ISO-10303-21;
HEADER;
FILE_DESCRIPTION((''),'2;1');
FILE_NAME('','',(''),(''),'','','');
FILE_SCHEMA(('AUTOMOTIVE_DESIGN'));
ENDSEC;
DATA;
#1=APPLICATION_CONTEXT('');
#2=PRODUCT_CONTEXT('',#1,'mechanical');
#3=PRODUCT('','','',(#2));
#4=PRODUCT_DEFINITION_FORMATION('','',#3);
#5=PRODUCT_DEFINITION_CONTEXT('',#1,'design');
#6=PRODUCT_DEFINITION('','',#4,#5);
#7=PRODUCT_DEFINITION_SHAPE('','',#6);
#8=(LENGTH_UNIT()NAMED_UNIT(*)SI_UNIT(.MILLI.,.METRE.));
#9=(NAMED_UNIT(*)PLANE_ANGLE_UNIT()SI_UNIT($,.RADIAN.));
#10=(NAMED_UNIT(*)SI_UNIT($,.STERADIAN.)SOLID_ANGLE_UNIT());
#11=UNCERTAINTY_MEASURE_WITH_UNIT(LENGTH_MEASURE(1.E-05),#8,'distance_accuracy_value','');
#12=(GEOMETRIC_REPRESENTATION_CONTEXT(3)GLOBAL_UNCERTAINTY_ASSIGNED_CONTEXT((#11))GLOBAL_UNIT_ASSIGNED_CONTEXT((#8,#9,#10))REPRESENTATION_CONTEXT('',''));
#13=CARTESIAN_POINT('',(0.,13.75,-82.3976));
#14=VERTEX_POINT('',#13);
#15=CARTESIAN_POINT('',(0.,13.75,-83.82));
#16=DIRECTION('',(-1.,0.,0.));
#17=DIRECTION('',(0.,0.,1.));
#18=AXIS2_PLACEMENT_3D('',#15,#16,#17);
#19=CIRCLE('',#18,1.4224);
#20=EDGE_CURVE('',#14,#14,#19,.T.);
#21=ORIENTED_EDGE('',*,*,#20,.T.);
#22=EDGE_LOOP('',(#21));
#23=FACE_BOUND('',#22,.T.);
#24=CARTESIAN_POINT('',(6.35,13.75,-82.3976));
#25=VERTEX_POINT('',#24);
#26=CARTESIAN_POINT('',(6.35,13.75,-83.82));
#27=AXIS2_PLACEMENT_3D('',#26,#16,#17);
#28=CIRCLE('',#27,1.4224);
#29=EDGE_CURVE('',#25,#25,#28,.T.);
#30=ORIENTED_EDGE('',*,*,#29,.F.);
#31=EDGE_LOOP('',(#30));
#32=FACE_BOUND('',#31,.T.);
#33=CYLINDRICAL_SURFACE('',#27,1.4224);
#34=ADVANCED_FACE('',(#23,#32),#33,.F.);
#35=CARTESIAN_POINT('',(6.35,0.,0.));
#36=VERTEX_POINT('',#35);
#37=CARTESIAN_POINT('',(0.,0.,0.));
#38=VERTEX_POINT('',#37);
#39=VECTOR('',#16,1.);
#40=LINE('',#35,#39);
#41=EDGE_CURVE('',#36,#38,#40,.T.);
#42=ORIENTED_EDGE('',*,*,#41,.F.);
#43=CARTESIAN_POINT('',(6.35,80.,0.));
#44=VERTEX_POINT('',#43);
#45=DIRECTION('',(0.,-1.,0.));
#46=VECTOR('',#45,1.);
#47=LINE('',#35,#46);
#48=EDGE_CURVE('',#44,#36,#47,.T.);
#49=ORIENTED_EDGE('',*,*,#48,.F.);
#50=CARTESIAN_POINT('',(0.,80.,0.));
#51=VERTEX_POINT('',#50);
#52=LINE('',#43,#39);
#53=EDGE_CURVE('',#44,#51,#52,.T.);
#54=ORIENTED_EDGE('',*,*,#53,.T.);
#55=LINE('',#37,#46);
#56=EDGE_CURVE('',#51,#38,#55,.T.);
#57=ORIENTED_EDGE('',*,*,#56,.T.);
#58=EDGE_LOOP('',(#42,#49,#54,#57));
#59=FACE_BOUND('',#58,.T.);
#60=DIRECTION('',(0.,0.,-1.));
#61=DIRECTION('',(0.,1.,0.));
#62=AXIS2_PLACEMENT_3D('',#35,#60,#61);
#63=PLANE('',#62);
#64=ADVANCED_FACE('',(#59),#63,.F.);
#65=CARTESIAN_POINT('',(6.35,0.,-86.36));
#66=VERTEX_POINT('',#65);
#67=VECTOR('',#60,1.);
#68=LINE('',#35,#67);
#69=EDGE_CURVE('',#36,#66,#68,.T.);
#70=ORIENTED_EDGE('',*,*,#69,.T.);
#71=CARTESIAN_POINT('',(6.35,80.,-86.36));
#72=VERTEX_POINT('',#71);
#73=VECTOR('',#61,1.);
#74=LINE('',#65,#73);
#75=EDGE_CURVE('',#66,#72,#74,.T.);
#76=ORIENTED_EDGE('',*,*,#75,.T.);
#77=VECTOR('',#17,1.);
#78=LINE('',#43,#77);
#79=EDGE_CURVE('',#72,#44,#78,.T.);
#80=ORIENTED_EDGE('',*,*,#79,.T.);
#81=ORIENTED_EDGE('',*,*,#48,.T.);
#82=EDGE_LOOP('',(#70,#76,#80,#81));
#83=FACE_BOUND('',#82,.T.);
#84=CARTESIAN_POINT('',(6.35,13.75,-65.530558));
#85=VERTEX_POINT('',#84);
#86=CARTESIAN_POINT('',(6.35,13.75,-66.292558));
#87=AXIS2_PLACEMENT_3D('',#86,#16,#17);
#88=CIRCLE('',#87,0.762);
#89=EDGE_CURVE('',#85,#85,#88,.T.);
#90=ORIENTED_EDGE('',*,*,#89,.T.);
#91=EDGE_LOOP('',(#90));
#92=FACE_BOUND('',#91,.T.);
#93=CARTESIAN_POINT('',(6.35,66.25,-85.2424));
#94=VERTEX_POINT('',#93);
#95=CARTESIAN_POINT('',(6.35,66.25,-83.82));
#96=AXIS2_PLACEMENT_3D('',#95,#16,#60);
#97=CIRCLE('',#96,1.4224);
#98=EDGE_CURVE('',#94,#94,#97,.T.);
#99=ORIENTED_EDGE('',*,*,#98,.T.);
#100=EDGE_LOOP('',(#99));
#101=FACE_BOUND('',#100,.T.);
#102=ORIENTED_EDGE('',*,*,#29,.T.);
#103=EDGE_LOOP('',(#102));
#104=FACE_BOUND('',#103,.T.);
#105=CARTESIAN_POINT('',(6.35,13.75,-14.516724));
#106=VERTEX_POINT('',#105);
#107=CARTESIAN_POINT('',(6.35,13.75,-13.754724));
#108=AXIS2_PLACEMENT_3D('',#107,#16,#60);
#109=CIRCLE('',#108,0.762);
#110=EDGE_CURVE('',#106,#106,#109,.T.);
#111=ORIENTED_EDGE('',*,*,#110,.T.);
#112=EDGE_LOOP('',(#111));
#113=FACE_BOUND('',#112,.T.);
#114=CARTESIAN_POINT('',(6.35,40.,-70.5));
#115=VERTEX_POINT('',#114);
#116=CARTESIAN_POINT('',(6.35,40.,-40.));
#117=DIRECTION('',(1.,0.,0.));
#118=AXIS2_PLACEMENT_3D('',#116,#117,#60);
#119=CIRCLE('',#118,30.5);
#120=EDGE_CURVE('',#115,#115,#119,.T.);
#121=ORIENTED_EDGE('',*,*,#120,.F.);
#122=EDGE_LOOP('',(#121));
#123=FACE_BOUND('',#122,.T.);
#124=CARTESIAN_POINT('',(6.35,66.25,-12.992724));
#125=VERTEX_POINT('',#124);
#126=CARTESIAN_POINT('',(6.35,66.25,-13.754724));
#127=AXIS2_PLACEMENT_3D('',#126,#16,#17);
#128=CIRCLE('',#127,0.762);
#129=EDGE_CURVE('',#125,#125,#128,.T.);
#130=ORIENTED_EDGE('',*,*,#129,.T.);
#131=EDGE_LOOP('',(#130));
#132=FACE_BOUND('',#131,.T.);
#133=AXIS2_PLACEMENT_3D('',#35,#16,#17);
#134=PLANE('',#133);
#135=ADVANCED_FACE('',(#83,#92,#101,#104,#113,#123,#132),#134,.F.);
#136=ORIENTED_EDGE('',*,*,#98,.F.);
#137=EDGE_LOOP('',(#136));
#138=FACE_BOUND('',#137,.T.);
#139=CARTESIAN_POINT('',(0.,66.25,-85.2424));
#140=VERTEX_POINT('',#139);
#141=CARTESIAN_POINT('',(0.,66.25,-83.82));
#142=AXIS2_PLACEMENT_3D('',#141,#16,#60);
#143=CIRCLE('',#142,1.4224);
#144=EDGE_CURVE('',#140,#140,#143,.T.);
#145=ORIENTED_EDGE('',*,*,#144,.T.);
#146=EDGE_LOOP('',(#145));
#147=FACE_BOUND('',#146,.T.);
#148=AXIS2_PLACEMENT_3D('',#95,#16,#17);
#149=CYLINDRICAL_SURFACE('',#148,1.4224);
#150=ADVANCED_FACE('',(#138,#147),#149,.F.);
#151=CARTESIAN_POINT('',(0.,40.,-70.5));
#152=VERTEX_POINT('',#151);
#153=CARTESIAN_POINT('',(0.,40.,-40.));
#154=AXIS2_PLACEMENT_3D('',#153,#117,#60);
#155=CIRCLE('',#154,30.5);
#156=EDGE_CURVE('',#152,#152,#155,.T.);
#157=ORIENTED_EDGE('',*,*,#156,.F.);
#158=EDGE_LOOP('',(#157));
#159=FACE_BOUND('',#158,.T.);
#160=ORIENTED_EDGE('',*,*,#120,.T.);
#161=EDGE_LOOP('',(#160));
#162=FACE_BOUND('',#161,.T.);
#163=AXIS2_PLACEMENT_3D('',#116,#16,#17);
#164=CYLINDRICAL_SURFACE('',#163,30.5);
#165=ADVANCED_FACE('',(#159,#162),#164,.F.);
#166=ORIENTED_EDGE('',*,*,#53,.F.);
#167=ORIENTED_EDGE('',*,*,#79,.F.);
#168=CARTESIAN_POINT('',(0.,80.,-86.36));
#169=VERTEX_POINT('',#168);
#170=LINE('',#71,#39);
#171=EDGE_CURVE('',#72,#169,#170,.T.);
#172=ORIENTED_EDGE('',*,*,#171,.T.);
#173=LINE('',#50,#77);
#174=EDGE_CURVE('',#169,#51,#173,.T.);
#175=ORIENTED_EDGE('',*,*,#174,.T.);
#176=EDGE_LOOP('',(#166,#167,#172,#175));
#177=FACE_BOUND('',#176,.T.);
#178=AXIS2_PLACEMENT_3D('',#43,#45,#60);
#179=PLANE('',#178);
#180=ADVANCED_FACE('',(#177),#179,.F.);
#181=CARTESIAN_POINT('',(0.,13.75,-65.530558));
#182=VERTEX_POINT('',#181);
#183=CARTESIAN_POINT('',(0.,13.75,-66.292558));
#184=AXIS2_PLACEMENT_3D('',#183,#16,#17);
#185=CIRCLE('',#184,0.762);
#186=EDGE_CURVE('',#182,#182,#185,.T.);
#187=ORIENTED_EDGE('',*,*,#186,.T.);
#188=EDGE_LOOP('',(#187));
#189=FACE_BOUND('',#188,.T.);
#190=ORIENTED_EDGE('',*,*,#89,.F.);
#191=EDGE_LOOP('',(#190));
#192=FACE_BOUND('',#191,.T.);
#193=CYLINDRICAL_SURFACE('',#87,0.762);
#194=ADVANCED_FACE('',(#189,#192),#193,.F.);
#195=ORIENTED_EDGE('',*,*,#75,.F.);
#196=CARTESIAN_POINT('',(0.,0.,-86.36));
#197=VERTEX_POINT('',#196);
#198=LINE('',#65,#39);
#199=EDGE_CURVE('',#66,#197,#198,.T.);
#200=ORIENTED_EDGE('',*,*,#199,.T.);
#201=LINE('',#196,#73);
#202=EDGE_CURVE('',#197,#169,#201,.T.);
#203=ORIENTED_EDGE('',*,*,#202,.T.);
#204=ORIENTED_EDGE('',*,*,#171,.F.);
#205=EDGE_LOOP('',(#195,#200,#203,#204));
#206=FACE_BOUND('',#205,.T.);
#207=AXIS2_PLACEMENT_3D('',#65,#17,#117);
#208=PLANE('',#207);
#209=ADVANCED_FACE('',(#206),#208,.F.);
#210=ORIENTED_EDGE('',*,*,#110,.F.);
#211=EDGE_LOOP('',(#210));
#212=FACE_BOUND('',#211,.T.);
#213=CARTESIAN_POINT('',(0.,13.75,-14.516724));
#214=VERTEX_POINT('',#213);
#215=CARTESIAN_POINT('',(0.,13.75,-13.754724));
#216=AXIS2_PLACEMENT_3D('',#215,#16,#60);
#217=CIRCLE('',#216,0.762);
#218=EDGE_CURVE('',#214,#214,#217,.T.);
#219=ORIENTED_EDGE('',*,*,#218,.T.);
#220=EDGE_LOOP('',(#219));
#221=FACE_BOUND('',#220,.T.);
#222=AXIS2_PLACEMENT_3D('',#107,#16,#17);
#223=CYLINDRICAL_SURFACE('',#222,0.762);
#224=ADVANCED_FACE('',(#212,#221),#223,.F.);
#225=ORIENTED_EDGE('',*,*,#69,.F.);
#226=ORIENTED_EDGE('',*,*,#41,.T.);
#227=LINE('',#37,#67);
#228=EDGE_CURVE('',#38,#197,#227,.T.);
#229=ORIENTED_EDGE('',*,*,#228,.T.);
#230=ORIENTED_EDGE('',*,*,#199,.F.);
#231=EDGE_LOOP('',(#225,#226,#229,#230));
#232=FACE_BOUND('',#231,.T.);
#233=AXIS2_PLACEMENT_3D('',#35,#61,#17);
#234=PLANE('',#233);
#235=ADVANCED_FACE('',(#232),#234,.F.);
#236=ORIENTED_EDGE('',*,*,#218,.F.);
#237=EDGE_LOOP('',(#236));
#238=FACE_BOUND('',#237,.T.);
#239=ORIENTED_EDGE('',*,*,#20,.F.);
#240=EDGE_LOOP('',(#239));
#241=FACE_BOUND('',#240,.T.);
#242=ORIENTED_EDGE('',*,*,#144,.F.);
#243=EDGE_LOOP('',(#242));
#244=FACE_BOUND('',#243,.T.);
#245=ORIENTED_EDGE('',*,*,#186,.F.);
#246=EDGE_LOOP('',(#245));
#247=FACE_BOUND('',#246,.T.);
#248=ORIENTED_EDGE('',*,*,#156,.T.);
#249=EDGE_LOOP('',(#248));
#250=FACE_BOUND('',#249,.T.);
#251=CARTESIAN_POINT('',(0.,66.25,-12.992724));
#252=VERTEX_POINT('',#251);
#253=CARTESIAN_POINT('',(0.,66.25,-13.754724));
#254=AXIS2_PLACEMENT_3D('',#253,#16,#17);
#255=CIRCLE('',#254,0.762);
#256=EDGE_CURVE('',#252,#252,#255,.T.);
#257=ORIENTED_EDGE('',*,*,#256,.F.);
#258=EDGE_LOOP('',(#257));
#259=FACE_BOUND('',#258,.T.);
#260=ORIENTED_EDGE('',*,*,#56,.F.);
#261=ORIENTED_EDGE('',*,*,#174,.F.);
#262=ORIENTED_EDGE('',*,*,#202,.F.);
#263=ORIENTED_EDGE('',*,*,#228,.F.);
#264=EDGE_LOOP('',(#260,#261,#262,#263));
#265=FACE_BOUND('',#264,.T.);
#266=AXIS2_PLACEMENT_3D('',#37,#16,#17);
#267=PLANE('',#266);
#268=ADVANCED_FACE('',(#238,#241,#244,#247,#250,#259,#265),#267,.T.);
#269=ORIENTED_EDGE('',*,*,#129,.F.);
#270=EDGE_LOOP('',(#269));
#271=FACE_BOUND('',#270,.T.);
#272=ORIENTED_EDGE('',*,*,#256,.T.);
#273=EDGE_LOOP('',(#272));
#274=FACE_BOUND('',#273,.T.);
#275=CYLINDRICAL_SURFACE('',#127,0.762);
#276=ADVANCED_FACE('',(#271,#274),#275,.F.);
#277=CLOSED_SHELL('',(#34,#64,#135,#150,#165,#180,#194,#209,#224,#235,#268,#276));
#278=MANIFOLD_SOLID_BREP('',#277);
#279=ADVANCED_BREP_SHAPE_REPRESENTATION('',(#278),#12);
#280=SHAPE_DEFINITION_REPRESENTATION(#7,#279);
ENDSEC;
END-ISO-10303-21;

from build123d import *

# Parameters (mm, degrees)
SKETCH1_W           = 86.36
SKETCH1_H           = 80
SKETCH1_R           = 30.5
BOSS_EXTRUDE1_DEPTH = 6.35
SKETCH3_R           = 0.762
SKETCH3_R_2         = 1.4224
CUT_EXTRUDE2_DEPTH  = 6.35


with BuildPart() as part:
    # Sketch1 → Boss-Extrude1 (new body)
    with BuildSketch(Plane(origin=(0, 0, 0), x_dir=(0, 0, -1), z_dir=(1, 0, 0))):
        with Locations((43.18, 40)):
            Rectangle(SKETCH1_W, SKETCH1_H)
        with Locations((40, 40)):
            Circle(SKETCH1_R, mode=Mode.SUBTRACT)
    extrude(amount=BOSS_EXTRUDE1_DEPTH)

    # Sketch3 → Cut-Extrude2 (cut)
    with BuildSketch(Plane.ZY):
        with Locations((-66.292558248, 13.75)):
            Circle(SKETCH3_R)
        with Locations((-13.754723938, 13.75)):
            Circle(SKETCH3_R)
        with Locations((-13.754723938, 66.25)):
            Circle(SKETCH3_R)
        with Locations((-83.82, 13.75)):
            Circle(SKETCH3_R_2)
        with Locations((-83.82, 66.25)):
            Circle(SKETCH3_R_2)
    extrude(amount=-CUT_EXTRUDE2_DEPTH, mode=Mode.SUBTRACT)


solid = part.part
